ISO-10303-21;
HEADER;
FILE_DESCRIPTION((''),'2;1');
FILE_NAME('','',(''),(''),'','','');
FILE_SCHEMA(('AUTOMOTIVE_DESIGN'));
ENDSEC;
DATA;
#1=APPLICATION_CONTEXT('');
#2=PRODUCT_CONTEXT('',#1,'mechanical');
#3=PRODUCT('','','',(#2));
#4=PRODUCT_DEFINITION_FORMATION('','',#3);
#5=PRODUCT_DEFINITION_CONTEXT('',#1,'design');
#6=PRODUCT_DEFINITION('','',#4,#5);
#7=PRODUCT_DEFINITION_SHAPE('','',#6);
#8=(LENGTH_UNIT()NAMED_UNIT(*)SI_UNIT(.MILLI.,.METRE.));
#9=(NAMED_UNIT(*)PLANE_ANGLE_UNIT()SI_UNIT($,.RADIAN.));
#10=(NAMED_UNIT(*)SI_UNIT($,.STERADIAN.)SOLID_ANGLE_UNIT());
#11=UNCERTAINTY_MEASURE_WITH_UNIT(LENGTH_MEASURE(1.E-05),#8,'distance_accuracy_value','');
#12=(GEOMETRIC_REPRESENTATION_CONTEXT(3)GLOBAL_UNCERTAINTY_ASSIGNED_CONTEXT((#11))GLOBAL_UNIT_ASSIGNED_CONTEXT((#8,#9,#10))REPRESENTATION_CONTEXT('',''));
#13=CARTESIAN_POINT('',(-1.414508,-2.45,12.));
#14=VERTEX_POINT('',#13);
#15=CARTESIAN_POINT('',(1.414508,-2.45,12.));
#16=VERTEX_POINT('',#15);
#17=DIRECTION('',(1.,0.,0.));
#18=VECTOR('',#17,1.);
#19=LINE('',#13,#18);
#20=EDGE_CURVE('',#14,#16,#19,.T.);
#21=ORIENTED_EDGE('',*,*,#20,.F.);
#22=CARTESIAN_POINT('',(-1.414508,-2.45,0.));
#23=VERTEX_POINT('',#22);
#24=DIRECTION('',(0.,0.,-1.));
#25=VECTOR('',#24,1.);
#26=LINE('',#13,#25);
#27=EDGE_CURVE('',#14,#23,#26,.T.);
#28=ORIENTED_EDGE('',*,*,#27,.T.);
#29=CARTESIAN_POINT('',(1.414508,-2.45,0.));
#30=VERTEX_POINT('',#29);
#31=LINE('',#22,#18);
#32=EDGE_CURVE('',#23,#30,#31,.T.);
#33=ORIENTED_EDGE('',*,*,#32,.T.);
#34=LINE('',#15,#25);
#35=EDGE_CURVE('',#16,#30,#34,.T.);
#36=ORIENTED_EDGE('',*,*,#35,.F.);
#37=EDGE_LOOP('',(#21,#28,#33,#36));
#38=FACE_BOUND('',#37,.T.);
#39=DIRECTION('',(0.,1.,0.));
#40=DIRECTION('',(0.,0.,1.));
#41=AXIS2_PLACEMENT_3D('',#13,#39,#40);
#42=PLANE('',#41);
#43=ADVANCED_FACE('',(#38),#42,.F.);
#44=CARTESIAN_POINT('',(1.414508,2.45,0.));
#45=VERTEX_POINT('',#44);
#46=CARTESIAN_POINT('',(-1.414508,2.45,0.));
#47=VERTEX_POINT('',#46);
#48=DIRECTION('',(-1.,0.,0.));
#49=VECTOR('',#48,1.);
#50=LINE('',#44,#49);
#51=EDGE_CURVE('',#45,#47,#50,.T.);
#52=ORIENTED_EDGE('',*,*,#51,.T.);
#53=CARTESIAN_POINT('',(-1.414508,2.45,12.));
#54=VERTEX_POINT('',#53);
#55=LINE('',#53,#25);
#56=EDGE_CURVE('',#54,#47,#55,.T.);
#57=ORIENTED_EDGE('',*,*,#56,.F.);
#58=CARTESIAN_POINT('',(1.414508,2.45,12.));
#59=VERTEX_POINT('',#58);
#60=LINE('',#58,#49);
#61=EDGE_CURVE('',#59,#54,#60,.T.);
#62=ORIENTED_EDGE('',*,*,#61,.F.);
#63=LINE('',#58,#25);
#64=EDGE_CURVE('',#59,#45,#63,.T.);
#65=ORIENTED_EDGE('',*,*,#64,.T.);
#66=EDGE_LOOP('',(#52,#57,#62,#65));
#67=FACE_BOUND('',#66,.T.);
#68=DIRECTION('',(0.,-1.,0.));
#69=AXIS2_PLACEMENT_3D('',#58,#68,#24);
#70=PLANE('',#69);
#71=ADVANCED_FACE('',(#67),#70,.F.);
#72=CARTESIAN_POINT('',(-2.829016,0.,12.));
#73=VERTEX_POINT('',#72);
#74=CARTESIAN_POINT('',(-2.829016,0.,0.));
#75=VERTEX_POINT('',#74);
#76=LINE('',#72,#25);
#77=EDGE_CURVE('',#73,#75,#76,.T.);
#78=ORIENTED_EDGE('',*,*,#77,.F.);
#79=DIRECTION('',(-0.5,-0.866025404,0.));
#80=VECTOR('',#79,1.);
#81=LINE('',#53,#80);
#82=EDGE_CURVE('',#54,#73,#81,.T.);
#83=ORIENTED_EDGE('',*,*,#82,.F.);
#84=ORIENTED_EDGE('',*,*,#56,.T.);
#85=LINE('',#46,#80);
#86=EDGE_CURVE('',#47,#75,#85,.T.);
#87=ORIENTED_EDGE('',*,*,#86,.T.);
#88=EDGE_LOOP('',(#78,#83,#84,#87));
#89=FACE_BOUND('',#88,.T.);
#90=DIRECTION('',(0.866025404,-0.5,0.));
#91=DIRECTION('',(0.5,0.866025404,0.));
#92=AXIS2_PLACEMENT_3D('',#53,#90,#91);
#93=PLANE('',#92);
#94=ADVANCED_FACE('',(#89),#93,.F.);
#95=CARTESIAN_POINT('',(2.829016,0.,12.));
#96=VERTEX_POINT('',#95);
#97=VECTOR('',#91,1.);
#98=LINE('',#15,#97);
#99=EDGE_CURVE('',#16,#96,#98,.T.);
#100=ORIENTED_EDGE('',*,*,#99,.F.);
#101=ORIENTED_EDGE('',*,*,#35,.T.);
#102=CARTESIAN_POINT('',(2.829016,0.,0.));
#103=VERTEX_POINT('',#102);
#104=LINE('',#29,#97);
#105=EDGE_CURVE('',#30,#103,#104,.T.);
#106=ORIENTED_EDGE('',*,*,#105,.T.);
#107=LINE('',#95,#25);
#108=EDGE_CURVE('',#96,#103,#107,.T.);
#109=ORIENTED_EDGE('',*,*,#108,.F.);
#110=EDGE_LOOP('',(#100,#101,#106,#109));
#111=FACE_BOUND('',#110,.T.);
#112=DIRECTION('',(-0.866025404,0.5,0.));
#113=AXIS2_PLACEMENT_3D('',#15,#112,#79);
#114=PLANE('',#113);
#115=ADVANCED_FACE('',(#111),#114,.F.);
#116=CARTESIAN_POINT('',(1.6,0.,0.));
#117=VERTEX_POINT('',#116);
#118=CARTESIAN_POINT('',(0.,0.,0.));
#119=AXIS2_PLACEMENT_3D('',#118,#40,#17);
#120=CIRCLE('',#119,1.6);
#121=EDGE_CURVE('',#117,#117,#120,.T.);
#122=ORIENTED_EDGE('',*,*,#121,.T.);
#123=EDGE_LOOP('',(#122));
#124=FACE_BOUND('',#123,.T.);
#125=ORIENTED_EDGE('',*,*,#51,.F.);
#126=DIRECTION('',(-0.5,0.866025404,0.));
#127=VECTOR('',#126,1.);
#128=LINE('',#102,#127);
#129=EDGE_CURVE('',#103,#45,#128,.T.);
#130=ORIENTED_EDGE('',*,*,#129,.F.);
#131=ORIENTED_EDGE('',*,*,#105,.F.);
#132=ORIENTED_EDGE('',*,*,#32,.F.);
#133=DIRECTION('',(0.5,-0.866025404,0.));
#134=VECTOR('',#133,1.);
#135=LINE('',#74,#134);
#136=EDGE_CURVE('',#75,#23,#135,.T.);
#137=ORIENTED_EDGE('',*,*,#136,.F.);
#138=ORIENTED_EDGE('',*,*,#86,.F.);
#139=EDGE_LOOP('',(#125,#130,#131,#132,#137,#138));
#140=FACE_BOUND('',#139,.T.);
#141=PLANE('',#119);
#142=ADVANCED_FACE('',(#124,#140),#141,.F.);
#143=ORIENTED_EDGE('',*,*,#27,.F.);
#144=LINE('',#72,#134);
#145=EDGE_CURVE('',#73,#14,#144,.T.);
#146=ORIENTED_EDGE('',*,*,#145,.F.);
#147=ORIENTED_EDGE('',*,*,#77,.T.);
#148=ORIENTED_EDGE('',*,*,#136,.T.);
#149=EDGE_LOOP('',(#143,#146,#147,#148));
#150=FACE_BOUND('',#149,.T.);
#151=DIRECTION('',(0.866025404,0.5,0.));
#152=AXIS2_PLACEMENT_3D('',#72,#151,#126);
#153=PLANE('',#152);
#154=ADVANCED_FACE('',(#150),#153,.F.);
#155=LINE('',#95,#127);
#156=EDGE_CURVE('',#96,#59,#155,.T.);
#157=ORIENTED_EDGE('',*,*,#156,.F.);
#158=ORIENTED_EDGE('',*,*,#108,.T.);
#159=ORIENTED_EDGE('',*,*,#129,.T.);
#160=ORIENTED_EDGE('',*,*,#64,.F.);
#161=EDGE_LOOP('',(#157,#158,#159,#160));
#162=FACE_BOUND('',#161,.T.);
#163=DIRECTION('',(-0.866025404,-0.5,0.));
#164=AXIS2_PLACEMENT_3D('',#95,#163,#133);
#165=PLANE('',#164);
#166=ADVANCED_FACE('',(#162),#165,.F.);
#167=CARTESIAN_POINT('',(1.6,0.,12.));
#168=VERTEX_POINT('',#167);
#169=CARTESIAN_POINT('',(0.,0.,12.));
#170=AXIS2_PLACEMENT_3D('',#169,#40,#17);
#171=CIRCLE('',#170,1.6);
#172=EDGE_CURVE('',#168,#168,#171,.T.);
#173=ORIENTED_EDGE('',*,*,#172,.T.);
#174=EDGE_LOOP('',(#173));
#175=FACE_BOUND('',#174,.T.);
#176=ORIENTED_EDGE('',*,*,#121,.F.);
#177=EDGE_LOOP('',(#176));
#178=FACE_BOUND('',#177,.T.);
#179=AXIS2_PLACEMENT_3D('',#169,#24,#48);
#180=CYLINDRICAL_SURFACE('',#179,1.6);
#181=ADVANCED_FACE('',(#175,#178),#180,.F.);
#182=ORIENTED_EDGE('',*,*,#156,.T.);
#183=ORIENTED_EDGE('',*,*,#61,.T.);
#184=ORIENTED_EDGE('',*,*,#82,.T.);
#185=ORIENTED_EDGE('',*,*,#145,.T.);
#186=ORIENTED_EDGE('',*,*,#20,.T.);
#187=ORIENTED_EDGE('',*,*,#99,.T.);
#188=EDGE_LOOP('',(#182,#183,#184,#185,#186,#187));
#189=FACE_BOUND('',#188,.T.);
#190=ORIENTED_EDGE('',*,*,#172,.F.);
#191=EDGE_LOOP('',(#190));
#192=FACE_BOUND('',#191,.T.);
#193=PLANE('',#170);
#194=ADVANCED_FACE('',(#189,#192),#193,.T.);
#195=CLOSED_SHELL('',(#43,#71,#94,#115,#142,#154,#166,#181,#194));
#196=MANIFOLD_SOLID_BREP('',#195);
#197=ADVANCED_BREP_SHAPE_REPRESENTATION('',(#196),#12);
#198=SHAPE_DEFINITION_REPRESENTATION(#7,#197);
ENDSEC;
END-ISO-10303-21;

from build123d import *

# Parameters (mm, degrees)
SKETCH_1_R      = 1.6
EXTRUDE_1_DEPTH = 12


with BuildPart() as part:
    # 草图1 → 凸台-拉伸1 (new body)
    with BuildSketch(Plane.XY):
        Polygon((2.829016319, 0), (1.41450816, 2.45), (-1.41450816, 2.45), (-2.829016319, 0), (-1.41450816, -2.45), (1.41450816, -2.45), align=None)
        Circle(SKETCH_1_R, mode=Mode.SUBTRACT)
    extrude(amount=EXTRUDE_1_DEPTH)


solid = part.part
